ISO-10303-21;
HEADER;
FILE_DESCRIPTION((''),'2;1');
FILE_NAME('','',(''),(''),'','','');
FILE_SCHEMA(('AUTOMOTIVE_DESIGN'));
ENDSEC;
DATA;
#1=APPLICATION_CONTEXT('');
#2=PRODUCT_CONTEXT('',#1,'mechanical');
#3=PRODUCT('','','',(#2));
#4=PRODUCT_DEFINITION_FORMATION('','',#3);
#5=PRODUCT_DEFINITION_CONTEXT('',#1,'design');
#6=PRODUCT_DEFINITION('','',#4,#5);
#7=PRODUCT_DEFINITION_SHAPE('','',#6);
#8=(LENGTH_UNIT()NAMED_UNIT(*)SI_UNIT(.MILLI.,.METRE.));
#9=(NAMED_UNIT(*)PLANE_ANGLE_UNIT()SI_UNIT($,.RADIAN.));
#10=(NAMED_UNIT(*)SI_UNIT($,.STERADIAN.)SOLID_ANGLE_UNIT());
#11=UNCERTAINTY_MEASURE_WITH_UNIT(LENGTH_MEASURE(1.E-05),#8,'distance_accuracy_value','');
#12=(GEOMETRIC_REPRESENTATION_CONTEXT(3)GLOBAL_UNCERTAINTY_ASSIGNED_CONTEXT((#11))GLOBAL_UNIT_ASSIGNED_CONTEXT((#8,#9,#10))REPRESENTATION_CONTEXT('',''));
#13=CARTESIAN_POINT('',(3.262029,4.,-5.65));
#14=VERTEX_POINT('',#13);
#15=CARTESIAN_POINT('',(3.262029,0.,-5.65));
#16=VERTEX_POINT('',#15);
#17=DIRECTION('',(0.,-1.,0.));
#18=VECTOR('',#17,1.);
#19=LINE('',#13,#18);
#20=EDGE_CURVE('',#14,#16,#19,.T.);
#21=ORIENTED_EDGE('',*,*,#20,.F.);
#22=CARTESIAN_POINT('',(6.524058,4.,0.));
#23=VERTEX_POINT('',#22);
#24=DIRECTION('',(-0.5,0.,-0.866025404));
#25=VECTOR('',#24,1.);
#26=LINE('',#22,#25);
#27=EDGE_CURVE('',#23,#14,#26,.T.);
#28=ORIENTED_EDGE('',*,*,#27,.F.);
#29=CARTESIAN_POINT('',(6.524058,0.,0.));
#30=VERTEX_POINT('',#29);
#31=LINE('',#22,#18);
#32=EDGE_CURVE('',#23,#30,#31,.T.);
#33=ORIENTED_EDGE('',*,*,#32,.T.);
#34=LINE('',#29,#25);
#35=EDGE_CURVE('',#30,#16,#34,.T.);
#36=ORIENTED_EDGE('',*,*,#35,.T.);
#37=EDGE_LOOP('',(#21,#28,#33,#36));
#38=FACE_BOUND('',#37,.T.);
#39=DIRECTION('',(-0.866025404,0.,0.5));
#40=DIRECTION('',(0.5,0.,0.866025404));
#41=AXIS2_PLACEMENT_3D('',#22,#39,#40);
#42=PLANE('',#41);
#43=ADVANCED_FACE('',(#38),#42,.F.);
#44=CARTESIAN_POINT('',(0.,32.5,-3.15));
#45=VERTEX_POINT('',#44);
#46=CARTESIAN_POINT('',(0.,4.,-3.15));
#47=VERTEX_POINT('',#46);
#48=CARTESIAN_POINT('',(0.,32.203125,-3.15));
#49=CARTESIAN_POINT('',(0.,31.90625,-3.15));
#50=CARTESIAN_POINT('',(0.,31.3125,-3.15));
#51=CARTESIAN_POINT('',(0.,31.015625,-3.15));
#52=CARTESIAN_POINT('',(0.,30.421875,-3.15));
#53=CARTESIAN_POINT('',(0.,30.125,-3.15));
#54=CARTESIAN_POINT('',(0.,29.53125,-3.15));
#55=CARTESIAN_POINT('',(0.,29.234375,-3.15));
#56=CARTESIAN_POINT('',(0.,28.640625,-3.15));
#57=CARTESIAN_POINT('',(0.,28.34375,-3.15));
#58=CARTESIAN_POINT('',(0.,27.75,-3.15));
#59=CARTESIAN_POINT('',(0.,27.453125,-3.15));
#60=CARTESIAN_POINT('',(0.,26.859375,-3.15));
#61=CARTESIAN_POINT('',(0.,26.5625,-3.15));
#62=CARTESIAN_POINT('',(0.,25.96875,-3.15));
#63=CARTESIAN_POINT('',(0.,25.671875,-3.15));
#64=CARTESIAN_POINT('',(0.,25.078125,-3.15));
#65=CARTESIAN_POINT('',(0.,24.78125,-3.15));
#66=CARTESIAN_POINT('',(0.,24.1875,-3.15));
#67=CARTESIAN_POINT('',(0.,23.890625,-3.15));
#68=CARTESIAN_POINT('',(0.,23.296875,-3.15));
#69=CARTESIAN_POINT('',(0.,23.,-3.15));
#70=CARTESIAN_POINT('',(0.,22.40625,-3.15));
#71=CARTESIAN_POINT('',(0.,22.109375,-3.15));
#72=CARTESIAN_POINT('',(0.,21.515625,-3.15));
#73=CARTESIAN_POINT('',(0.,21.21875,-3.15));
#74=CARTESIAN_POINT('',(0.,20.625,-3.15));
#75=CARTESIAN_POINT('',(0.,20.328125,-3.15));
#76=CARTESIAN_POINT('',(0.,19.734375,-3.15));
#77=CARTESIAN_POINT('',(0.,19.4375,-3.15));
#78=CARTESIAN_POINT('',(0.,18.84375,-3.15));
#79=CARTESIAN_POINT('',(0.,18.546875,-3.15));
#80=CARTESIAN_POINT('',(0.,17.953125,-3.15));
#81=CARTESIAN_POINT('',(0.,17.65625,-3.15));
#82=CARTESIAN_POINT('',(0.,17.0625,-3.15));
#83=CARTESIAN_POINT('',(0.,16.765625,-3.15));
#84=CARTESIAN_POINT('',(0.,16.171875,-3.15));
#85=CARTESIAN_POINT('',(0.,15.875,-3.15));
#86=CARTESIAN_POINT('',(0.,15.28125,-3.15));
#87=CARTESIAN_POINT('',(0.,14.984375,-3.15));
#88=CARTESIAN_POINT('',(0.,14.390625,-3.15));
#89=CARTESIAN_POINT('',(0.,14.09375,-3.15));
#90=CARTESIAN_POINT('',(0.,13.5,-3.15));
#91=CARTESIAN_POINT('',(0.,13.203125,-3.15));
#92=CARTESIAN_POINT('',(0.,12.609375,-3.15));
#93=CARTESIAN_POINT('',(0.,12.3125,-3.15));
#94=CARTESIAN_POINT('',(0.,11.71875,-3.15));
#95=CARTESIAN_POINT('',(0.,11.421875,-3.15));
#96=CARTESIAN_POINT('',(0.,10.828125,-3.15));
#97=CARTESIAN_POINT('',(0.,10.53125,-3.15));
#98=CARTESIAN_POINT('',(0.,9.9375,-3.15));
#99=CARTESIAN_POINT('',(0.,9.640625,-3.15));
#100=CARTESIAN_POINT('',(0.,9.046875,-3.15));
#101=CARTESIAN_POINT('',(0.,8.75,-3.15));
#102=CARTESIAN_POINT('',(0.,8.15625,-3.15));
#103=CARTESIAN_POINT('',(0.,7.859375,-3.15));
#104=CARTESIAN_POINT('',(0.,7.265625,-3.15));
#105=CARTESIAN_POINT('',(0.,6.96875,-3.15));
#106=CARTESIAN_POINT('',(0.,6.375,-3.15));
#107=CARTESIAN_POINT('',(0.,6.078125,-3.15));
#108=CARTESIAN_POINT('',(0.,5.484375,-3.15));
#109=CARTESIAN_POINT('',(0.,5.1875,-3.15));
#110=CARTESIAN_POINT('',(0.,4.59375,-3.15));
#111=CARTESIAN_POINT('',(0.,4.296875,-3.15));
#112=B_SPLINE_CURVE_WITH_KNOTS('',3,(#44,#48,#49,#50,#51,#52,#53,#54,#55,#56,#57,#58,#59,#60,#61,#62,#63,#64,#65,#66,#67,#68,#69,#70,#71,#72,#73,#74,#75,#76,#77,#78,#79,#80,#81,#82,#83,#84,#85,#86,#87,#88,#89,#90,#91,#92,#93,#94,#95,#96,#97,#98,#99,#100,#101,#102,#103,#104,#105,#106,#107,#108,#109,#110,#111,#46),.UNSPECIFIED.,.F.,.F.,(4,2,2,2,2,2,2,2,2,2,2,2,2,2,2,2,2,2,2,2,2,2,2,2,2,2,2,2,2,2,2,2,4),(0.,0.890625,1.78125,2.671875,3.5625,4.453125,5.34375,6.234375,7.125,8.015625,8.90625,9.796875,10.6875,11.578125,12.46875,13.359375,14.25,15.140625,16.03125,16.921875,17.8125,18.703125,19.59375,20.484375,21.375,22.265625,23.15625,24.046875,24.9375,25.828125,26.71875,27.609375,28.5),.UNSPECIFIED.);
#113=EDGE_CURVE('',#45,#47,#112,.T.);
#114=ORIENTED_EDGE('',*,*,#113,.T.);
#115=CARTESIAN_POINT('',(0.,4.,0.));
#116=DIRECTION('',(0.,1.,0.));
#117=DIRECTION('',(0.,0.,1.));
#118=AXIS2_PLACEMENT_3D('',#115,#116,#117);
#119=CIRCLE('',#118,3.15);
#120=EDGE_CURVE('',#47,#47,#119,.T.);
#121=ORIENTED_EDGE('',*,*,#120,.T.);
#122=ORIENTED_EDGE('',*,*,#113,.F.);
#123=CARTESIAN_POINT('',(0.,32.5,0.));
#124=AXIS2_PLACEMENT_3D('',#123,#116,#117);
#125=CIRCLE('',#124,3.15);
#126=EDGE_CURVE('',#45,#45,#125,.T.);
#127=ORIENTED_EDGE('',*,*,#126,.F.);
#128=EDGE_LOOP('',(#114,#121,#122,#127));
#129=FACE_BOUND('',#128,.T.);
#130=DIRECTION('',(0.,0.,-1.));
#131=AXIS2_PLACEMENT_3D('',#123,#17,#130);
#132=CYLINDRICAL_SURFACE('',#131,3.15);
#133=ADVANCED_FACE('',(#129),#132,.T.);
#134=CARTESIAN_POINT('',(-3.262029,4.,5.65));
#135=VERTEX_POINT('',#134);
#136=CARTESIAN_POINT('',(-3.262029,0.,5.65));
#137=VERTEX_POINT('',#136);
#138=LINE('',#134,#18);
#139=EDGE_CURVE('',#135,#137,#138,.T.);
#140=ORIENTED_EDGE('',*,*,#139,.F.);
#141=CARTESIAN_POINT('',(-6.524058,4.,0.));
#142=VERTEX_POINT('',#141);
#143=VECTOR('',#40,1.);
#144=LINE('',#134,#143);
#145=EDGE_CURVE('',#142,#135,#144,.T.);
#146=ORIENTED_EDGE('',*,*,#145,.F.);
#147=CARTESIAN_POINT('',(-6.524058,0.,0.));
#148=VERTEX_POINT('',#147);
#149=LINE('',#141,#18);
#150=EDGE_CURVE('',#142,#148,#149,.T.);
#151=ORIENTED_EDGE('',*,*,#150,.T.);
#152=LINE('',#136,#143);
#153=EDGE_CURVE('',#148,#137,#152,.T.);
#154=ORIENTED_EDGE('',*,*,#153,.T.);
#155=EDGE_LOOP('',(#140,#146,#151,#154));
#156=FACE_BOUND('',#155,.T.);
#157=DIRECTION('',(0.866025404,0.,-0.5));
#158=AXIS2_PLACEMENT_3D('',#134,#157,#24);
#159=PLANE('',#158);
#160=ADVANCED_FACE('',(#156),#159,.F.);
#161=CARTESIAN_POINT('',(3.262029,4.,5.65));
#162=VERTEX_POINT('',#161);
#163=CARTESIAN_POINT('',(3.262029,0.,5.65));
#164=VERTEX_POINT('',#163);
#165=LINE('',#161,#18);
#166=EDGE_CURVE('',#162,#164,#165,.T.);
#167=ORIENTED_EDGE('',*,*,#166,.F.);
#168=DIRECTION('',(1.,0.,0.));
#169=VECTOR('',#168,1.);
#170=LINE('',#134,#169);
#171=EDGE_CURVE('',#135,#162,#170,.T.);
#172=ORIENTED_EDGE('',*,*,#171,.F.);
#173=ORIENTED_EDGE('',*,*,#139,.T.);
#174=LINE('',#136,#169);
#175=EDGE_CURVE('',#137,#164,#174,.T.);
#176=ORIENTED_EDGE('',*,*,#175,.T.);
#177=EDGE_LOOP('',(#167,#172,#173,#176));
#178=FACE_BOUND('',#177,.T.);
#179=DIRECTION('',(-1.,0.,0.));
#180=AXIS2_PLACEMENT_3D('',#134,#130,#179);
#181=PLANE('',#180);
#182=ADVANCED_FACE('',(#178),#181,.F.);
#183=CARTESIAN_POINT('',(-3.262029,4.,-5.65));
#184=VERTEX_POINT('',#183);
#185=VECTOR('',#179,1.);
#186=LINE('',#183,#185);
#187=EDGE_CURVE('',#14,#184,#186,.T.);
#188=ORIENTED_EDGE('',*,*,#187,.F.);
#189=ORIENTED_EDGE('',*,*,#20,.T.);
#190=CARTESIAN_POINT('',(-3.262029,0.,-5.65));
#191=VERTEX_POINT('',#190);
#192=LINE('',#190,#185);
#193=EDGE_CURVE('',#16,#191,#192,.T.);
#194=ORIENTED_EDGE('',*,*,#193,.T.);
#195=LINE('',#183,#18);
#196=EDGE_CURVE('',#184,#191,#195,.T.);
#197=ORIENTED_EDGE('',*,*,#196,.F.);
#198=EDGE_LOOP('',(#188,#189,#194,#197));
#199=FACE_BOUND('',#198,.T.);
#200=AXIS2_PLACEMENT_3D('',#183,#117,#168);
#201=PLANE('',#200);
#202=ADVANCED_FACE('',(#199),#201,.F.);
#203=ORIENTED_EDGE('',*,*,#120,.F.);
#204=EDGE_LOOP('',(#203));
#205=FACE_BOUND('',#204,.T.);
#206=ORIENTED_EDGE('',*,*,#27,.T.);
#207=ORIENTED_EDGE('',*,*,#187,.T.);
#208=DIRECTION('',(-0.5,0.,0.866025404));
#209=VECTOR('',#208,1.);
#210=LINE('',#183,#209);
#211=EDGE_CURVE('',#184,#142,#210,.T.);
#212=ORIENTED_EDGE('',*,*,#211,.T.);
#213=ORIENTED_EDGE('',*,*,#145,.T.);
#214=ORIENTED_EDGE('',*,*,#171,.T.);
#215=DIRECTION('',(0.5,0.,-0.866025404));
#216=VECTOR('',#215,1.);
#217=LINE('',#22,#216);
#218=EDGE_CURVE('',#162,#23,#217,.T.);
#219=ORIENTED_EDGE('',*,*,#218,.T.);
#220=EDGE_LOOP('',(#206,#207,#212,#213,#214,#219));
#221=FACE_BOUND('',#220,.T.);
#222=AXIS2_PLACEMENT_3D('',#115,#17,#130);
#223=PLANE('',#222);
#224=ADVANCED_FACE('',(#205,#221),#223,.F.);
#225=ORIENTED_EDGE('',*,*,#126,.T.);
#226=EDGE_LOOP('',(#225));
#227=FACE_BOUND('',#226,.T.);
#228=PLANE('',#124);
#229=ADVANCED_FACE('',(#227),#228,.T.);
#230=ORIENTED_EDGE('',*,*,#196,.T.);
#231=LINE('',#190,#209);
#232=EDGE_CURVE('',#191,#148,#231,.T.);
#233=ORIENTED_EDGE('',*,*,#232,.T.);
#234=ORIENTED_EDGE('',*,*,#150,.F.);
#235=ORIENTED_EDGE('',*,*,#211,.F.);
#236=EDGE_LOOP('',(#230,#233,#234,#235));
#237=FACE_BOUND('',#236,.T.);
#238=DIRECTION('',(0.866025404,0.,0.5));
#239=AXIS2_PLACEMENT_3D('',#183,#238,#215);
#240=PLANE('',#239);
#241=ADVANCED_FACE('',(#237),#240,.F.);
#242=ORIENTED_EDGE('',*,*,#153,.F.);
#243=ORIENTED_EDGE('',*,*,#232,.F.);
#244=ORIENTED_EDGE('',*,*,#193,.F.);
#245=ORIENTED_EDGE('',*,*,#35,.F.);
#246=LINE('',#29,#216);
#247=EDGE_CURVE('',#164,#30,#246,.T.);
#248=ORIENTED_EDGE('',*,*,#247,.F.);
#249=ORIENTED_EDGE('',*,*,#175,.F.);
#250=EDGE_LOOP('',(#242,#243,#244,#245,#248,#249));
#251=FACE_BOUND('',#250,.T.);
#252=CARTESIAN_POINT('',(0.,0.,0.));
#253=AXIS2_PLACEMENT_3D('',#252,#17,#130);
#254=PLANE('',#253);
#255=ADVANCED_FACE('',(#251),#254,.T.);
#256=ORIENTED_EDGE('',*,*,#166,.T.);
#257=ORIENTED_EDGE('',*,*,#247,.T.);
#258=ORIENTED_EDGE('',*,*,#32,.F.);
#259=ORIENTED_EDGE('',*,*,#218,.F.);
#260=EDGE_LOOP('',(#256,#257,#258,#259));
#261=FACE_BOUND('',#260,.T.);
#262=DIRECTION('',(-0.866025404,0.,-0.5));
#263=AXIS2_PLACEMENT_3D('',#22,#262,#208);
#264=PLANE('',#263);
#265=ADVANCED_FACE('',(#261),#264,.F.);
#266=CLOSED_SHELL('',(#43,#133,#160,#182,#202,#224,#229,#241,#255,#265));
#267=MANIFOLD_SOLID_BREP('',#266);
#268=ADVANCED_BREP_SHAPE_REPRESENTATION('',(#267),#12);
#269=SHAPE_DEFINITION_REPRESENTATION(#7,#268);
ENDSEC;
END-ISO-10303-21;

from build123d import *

# Parameters (mm, degrees)
BOSS_EXTRUDE1_DEPTH = 4
SKETCH2_R           = 3.15
BOSS_EXTRUDE2_DEPTH = 28.5


with BuildPart() as part:
    # Sketch1 → Boss-Extrude1 (new body)
    with BuildSketch(Plane(origin=(0, 0, 0), x_dir=(1, 0, 0), z_dir=(0, 1, 0))):
        Polygon((-3.262029021, 5.65), (3.262029021, 5.65), (6.524058042, 0), (3.262029021, -5.65), (-3.262029021, -5.65), (-6.524058042, 0), align=None)
    extrude(amount=BOSS_EXTRUDE1_DEPTH)

    # Sketch2 → Boss-Extrude2 (add)
    with BuildSketch(Plane(origin=(0, 4, 0), x_dir=(1, 0, 0), z_dir=(0, 1, 0))):
        with Locations(Location((0, 0, 0), (0, 0, 90))):
            Circle(SKETCH2_R)
    extrude(amount=BOSS_EXTRUDE2_DEPTH)


solid = part.part
